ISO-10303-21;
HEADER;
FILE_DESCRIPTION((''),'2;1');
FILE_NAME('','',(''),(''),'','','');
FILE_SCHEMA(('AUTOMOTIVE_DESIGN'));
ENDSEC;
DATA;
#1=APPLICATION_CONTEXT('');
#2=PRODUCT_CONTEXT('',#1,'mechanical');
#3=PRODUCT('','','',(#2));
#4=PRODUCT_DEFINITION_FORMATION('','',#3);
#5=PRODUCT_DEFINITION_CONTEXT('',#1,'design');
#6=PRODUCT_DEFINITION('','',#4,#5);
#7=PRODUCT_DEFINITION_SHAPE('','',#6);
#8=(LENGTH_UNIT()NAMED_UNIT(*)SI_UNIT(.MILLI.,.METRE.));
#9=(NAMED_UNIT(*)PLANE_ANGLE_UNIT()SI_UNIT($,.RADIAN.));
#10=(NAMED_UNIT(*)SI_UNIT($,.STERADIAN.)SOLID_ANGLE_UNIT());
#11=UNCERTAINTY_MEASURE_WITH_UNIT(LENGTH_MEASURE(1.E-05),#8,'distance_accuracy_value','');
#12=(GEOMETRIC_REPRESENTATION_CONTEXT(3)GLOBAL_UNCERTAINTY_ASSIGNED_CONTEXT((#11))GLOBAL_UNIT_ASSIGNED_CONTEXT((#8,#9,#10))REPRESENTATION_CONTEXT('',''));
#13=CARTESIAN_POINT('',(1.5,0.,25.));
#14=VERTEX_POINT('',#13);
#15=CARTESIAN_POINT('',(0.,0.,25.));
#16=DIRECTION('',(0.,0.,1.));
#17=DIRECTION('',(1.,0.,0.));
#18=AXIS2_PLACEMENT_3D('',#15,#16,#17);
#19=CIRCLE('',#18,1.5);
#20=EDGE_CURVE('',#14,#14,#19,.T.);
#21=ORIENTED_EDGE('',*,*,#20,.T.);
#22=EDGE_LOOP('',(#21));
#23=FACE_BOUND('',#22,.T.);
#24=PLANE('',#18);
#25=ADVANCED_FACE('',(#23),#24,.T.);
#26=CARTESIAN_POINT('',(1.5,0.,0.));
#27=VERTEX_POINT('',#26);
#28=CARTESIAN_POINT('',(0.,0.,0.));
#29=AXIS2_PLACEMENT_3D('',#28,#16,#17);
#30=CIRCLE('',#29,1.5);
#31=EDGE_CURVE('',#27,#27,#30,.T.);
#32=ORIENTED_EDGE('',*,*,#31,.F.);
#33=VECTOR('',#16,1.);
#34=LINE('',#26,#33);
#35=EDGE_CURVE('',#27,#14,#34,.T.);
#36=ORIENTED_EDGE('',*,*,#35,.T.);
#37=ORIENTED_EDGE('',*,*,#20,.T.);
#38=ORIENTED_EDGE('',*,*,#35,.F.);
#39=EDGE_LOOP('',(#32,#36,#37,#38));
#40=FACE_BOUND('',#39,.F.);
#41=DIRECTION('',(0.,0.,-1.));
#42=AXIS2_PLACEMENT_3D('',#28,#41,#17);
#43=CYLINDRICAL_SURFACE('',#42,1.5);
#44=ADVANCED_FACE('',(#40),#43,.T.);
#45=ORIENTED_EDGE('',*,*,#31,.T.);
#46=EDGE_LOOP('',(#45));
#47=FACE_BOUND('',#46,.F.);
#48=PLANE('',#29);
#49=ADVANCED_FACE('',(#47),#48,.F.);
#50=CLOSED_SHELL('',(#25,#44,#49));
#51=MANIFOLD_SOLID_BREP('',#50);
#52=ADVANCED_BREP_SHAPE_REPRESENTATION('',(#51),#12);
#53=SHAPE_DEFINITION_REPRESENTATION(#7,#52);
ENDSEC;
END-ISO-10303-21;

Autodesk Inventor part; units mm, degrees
ref_plane "YZ Plane" through (0, 0, 0) normal (1, 0, 0) x (0, 1, 0)
ref_plane "XZ Plane" through (0, 0, 0) normal (0, 1, 0) x (-1, 0, 0)
ref_plane "XY Plane" through (0, 0, 0) normal (0, 0, 1) x (1, 0, 0)
sketch "スケッチ1" plane through (0, 0, 0) normal (0, 0, 1) x (1, 0, 0)
  circle A0 centre (0, 0) radius 1.5
  dimension "d0" = 3
extrude "押し出し1" add sketch "スケッチ1" along normal blind 25
properties part number "棒３"
